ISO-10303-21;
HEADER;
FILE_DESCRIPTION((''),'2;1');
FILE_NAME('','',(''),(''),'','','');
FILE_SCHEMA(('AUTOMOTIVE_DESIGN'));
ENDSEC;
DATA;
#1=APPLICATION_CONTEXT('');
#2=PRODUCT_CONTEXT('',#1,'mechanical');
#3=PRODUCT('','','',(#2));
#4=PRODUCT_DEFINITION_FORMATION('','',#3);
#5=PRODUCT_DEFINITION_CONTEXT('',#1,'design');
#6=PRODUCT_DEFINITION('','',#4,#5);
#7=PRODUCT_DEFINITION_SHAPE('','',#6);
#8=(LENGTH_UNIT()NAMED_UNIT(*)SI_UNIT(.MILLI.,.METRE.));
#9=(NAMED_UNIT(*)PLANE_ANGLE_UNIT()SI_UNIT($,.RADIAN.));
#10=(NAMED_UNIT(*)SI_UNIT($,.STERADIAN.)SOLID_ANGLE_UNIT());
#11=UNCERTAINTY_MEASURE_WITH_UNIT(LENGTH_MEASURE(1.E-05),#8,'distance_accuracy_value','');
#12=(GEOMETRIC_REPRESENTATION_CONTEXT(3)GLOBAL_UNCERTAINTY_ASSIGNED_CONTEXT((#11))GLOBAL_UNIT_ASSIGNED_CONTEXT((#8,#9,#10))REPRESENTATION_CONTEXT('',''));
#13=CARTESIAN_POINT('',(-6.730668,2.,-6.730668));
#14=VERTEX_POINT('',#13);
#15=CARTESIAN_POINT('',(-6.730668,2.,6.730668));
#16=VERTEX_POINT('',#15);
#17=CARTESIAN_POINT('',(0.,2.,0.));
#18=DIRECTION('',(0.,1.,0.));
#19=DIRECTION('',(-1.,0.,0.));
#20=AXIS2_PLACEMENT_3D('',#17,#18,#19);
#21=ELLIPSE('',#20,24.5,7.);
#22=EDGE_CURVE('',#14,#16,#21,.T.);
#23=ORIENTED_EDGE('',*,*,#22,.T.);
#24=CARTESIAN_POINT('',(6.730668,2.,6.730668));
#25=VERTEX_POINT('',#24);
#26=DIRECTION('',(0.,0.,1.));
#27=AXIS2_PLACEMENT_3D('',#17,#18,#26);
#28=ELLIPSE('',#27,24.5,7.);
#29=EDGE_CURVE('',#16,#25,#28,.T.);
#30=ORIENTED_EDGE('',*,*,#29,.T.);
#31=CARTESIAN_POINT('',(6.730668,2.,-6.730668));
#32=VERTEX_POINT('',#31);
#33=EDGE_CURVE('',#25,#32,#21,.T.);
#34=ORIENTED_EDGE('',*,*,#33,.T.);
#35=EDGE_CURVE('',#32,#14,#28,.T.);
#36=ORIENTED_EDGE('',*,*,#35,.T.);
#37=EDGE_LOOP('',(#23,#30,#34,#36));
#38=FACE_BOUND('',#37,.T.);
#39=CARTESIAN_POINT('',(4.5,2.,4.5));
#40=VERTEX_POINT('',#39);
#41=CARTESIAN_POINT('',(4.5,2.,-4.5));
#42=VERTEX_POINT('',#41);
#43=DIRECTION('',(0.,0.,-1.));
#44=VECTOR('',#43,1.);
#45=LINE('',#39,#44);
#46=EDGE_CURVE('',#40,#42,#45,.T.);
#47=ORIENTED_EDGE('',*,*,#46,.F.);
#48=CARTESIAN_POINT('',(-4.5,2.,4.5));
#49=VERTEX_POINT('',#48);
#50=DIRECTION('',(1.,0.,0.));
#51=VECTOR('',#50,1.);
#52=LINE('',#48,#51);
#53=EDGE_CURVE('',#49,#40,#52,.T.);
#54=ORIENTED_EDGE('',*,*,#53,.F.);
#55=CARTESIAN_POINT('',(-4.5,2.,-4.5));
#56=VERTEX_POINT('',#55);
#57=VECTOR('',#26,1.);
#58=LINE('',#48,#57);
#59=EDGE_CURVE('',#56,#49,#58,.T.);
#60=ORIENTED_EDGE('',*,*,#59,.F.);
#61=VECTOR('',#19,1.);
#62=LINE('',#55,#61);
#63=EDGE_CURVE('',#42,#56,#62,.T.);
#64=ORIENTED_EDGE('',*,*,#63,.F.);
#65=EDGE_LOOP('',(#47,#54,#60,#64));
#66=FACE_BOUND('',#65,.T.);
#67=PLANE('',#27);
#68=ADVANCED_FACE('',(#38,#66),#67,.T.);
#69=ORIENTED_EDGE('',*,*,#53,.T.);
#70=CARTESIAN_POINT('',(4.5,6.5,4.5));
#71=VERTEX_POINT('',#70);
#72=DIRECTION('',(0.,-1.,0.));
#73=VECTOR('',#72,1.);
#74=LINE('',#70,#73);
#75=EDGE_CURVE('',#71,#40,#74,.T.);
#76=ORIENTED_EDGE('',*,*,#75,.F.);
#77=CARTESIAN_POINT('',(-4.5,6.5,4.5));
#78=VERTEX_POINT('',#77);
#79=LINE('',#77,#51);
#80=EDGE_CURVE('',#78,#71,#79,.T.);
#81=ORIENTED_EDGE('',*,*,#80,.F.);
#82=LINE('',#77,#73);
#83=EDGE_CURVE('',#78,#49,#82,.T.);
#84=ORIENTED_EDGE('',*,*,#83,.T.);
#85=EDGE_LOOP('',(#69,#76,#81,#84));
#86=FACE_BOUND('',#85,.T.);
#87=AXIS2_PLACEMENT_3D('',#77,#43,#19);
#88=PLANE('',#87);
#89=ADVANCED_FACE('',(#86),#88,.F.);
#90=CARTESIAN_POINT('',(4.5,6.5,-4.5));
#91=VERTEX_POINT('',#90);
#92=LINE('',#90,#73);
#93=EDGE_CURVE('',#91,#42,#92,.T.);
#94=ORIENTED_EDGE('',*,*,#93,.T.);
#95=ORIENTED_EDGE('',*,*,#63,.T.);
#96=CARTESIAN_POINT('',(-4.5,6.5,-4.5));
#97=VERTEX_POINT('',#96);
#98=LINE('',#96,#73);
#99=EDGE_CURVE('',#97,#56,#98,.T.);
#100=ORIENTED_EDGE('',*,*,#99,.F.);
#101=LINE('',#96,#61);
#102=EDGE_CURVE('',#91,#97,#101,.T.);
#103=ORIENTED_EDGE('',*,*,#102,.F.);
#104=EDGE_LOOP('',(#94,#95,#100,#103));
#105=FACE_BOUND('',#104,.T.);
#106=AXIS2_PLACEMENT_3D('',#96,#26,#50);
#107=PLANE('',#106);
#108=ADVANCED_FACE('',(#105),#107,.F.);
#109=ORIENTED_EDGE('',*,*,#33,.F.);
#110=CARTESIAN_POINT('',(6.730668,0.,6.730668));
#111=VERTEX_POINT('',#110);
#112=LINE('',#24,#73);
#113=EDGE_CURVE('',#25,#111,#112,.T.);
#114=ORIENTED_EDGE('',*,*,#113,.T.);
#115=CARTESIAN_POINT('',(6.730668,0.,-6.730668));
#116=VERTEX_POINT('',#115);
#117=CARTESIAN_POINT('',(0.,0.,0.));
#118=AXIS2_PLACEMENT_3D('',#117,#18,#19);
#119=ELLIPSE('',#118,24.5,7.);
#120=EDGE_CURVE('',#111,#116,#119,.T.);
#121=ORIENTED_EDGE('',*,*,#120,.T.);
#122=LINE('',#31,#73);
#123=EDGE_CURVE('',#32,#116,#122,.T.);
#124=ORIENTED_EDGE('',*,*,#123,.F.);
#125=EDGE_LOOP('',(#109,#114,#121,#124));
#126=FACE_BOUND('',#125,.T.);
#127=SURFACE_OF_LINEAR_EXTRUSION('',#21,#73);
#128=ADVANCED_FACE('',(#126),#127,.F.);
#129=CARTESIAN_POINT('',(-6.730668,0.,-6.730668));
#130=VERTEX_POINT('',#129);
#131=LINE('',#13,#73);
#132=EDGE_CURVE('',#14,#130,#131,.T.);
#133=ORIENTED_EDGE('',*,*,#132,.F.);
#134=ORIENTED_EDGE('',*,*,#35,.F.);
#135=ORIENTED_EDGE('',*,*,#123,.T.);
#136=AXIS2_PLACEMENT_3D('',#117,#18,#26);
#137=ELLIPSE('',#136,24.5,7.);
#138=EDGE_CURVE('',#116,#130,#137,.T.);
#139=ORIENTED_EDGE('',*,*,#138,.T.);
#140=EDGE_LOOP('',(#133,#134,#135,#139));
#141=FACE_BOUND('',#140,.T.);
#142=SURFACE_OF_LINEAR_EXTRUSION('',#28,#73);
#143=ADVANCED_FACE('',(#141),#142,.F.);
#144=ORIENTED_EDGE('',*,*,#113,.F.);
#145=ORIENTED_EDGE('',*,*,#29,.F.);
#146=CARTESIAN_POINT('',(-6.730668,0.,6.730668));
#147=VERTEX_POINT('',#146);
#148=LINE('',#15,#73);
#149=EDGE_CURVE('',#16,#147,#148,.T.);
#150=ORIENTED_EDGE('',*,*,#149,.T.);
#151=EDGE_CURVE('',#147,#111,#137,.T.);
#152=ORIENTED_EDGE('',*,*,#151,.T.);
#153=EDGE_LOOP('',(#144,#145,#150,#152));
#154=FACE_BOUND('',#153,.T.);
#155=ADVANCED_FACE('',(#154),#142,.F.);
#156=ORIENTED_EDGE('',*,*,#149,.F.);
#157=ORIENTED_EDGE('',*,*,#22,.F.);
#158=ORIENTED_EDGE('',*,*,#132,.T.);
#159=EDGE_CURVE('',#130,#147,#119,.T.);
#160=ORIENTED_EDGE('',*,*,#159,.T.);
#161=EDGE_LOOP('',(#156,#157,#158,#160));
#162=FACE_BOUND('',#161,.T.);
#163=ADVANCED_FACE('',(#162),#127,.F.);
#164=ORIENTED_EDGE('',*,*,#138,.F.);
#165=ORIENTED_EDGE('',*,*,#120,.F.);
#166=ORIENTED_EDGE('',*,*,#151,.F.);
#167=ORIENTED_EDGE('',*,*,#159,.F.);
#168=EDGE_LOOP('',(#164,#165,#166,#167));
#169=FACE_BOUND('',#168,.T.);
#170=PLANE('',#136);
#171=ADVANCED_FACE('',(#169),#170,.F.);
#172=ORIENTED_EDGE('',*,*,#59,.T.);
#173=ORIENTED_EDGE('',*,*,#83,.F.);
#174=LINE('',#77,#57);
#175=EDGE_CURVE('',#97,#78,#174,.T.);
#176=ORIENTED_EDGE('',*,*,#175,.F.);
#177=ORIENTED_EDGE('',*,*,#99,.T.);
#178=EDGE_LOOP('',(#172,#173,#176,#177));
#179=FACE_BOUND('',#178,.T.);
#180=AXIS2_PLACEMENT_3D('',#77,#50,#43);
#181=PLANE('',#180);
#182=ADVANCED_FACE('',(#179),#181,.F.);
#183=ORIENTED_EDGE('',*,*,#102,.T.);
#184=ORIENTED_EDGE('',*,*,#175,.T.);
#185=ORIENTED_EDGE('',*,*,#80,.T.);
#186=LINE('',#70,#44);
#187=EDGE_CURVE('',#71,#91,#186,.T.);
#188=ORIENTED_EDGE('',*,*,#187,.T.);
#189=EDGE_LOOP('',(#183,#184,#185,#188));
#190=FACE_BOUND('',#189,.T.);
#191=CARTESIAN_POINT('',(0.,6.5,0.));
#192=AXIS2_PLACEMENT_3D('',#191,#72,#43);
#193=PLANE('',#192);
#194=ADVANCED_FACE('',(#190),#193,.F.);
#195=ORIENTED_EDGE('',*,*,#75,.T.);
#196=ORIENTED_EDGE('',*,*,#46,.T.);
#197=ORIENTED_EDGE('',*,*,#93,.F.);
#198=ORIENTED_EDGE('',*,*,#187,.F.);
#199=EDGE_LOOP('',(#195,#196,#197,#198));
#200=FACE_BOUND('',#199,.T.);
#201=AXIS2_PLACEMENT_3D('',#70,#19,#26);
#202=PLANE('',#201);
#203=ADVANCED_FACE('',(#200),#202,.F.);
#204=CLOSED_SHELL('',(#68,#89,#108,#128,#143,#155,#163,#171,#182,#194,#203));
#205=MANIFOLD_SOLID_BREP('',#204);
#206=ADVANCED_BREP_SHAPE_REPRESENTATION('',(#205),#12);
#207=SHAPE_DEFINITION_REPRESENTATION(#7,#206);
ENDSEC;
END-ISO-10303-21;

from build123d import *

# Parameters (mm, degrees)
BOSS_EXTRUDE1_DEPTH = 2
SKETCH2_W           = 9
SKETCH2_H           = 9
BOSS_EXTRUDE2_DEPTH = 4.5


with BuildPart() as part:
    # Sketch1 → Boss-Extrude1 (new body)
    with BuildSketch(Plane(origin=(0, 0, 0), x_dir=(1, 0, 0), z_dir=(0, 1, 0))):
        with BuildLine():
            add(Edge.make_bspline(
                [(-6.730667633, 6.730667633), (-89.181346144, 0), (-6.730667633, -6.730667633)],
                knots=[4.990688639, 4.990688639, 4.990688639, 7.575681975, 7.575681975, 7.575681975], degree=2, weights=[1, 0.274721128, 1]))
            add(Edge.make_bspline(
                [(-6.730667633, -6.730667633), (0, -89.181346144), (6.730667633, -6.730667633)],
                knots=[4.990688639, 4.990688639, 4.990688639, 7.575681975, 7.575681975, 7.575681975], degree=2, weights=[1, 0.274721128, 1]))
            add(Edge.make_bspline(
                [(6.730667633, -6.730667633), (89.181346144, 0), (6.730667633, 6.730667633)],
                knots=[1.849095986, 1.849095986, 1.849095986, 4.434089321, 4.434089321, 4.434089321], degree=2, weights=[1, 0.274721128, 1]))
            add(Edge.make_bspline(
                [(6.730667633, 6.730667633), (0, 89.181346144), (-6.730667633, 6.730667633)],
                knots=[1.849095986, 1.849095986, 1.849095986, 4.434089321, 4.434089321, 4.434089321], degree=2, weights=[1, 0.274721128, 1]))
        make_face()
    extrude(amount=BOSS_EXTRUDE1_DEPTH)

    # Sketch2 → Boss-Extrude2 (add)
    with BuildSketch(Plane(origin=(0, 2, 0), x_dir=(1, 0, 0), z_dir=(0, 1, 0))):
        Rectangle(SKETCH2_W, SKETCH2_H)
    extrude(amount=BOSS_EXTRUDE2_DEPTH)


solid = part.part
